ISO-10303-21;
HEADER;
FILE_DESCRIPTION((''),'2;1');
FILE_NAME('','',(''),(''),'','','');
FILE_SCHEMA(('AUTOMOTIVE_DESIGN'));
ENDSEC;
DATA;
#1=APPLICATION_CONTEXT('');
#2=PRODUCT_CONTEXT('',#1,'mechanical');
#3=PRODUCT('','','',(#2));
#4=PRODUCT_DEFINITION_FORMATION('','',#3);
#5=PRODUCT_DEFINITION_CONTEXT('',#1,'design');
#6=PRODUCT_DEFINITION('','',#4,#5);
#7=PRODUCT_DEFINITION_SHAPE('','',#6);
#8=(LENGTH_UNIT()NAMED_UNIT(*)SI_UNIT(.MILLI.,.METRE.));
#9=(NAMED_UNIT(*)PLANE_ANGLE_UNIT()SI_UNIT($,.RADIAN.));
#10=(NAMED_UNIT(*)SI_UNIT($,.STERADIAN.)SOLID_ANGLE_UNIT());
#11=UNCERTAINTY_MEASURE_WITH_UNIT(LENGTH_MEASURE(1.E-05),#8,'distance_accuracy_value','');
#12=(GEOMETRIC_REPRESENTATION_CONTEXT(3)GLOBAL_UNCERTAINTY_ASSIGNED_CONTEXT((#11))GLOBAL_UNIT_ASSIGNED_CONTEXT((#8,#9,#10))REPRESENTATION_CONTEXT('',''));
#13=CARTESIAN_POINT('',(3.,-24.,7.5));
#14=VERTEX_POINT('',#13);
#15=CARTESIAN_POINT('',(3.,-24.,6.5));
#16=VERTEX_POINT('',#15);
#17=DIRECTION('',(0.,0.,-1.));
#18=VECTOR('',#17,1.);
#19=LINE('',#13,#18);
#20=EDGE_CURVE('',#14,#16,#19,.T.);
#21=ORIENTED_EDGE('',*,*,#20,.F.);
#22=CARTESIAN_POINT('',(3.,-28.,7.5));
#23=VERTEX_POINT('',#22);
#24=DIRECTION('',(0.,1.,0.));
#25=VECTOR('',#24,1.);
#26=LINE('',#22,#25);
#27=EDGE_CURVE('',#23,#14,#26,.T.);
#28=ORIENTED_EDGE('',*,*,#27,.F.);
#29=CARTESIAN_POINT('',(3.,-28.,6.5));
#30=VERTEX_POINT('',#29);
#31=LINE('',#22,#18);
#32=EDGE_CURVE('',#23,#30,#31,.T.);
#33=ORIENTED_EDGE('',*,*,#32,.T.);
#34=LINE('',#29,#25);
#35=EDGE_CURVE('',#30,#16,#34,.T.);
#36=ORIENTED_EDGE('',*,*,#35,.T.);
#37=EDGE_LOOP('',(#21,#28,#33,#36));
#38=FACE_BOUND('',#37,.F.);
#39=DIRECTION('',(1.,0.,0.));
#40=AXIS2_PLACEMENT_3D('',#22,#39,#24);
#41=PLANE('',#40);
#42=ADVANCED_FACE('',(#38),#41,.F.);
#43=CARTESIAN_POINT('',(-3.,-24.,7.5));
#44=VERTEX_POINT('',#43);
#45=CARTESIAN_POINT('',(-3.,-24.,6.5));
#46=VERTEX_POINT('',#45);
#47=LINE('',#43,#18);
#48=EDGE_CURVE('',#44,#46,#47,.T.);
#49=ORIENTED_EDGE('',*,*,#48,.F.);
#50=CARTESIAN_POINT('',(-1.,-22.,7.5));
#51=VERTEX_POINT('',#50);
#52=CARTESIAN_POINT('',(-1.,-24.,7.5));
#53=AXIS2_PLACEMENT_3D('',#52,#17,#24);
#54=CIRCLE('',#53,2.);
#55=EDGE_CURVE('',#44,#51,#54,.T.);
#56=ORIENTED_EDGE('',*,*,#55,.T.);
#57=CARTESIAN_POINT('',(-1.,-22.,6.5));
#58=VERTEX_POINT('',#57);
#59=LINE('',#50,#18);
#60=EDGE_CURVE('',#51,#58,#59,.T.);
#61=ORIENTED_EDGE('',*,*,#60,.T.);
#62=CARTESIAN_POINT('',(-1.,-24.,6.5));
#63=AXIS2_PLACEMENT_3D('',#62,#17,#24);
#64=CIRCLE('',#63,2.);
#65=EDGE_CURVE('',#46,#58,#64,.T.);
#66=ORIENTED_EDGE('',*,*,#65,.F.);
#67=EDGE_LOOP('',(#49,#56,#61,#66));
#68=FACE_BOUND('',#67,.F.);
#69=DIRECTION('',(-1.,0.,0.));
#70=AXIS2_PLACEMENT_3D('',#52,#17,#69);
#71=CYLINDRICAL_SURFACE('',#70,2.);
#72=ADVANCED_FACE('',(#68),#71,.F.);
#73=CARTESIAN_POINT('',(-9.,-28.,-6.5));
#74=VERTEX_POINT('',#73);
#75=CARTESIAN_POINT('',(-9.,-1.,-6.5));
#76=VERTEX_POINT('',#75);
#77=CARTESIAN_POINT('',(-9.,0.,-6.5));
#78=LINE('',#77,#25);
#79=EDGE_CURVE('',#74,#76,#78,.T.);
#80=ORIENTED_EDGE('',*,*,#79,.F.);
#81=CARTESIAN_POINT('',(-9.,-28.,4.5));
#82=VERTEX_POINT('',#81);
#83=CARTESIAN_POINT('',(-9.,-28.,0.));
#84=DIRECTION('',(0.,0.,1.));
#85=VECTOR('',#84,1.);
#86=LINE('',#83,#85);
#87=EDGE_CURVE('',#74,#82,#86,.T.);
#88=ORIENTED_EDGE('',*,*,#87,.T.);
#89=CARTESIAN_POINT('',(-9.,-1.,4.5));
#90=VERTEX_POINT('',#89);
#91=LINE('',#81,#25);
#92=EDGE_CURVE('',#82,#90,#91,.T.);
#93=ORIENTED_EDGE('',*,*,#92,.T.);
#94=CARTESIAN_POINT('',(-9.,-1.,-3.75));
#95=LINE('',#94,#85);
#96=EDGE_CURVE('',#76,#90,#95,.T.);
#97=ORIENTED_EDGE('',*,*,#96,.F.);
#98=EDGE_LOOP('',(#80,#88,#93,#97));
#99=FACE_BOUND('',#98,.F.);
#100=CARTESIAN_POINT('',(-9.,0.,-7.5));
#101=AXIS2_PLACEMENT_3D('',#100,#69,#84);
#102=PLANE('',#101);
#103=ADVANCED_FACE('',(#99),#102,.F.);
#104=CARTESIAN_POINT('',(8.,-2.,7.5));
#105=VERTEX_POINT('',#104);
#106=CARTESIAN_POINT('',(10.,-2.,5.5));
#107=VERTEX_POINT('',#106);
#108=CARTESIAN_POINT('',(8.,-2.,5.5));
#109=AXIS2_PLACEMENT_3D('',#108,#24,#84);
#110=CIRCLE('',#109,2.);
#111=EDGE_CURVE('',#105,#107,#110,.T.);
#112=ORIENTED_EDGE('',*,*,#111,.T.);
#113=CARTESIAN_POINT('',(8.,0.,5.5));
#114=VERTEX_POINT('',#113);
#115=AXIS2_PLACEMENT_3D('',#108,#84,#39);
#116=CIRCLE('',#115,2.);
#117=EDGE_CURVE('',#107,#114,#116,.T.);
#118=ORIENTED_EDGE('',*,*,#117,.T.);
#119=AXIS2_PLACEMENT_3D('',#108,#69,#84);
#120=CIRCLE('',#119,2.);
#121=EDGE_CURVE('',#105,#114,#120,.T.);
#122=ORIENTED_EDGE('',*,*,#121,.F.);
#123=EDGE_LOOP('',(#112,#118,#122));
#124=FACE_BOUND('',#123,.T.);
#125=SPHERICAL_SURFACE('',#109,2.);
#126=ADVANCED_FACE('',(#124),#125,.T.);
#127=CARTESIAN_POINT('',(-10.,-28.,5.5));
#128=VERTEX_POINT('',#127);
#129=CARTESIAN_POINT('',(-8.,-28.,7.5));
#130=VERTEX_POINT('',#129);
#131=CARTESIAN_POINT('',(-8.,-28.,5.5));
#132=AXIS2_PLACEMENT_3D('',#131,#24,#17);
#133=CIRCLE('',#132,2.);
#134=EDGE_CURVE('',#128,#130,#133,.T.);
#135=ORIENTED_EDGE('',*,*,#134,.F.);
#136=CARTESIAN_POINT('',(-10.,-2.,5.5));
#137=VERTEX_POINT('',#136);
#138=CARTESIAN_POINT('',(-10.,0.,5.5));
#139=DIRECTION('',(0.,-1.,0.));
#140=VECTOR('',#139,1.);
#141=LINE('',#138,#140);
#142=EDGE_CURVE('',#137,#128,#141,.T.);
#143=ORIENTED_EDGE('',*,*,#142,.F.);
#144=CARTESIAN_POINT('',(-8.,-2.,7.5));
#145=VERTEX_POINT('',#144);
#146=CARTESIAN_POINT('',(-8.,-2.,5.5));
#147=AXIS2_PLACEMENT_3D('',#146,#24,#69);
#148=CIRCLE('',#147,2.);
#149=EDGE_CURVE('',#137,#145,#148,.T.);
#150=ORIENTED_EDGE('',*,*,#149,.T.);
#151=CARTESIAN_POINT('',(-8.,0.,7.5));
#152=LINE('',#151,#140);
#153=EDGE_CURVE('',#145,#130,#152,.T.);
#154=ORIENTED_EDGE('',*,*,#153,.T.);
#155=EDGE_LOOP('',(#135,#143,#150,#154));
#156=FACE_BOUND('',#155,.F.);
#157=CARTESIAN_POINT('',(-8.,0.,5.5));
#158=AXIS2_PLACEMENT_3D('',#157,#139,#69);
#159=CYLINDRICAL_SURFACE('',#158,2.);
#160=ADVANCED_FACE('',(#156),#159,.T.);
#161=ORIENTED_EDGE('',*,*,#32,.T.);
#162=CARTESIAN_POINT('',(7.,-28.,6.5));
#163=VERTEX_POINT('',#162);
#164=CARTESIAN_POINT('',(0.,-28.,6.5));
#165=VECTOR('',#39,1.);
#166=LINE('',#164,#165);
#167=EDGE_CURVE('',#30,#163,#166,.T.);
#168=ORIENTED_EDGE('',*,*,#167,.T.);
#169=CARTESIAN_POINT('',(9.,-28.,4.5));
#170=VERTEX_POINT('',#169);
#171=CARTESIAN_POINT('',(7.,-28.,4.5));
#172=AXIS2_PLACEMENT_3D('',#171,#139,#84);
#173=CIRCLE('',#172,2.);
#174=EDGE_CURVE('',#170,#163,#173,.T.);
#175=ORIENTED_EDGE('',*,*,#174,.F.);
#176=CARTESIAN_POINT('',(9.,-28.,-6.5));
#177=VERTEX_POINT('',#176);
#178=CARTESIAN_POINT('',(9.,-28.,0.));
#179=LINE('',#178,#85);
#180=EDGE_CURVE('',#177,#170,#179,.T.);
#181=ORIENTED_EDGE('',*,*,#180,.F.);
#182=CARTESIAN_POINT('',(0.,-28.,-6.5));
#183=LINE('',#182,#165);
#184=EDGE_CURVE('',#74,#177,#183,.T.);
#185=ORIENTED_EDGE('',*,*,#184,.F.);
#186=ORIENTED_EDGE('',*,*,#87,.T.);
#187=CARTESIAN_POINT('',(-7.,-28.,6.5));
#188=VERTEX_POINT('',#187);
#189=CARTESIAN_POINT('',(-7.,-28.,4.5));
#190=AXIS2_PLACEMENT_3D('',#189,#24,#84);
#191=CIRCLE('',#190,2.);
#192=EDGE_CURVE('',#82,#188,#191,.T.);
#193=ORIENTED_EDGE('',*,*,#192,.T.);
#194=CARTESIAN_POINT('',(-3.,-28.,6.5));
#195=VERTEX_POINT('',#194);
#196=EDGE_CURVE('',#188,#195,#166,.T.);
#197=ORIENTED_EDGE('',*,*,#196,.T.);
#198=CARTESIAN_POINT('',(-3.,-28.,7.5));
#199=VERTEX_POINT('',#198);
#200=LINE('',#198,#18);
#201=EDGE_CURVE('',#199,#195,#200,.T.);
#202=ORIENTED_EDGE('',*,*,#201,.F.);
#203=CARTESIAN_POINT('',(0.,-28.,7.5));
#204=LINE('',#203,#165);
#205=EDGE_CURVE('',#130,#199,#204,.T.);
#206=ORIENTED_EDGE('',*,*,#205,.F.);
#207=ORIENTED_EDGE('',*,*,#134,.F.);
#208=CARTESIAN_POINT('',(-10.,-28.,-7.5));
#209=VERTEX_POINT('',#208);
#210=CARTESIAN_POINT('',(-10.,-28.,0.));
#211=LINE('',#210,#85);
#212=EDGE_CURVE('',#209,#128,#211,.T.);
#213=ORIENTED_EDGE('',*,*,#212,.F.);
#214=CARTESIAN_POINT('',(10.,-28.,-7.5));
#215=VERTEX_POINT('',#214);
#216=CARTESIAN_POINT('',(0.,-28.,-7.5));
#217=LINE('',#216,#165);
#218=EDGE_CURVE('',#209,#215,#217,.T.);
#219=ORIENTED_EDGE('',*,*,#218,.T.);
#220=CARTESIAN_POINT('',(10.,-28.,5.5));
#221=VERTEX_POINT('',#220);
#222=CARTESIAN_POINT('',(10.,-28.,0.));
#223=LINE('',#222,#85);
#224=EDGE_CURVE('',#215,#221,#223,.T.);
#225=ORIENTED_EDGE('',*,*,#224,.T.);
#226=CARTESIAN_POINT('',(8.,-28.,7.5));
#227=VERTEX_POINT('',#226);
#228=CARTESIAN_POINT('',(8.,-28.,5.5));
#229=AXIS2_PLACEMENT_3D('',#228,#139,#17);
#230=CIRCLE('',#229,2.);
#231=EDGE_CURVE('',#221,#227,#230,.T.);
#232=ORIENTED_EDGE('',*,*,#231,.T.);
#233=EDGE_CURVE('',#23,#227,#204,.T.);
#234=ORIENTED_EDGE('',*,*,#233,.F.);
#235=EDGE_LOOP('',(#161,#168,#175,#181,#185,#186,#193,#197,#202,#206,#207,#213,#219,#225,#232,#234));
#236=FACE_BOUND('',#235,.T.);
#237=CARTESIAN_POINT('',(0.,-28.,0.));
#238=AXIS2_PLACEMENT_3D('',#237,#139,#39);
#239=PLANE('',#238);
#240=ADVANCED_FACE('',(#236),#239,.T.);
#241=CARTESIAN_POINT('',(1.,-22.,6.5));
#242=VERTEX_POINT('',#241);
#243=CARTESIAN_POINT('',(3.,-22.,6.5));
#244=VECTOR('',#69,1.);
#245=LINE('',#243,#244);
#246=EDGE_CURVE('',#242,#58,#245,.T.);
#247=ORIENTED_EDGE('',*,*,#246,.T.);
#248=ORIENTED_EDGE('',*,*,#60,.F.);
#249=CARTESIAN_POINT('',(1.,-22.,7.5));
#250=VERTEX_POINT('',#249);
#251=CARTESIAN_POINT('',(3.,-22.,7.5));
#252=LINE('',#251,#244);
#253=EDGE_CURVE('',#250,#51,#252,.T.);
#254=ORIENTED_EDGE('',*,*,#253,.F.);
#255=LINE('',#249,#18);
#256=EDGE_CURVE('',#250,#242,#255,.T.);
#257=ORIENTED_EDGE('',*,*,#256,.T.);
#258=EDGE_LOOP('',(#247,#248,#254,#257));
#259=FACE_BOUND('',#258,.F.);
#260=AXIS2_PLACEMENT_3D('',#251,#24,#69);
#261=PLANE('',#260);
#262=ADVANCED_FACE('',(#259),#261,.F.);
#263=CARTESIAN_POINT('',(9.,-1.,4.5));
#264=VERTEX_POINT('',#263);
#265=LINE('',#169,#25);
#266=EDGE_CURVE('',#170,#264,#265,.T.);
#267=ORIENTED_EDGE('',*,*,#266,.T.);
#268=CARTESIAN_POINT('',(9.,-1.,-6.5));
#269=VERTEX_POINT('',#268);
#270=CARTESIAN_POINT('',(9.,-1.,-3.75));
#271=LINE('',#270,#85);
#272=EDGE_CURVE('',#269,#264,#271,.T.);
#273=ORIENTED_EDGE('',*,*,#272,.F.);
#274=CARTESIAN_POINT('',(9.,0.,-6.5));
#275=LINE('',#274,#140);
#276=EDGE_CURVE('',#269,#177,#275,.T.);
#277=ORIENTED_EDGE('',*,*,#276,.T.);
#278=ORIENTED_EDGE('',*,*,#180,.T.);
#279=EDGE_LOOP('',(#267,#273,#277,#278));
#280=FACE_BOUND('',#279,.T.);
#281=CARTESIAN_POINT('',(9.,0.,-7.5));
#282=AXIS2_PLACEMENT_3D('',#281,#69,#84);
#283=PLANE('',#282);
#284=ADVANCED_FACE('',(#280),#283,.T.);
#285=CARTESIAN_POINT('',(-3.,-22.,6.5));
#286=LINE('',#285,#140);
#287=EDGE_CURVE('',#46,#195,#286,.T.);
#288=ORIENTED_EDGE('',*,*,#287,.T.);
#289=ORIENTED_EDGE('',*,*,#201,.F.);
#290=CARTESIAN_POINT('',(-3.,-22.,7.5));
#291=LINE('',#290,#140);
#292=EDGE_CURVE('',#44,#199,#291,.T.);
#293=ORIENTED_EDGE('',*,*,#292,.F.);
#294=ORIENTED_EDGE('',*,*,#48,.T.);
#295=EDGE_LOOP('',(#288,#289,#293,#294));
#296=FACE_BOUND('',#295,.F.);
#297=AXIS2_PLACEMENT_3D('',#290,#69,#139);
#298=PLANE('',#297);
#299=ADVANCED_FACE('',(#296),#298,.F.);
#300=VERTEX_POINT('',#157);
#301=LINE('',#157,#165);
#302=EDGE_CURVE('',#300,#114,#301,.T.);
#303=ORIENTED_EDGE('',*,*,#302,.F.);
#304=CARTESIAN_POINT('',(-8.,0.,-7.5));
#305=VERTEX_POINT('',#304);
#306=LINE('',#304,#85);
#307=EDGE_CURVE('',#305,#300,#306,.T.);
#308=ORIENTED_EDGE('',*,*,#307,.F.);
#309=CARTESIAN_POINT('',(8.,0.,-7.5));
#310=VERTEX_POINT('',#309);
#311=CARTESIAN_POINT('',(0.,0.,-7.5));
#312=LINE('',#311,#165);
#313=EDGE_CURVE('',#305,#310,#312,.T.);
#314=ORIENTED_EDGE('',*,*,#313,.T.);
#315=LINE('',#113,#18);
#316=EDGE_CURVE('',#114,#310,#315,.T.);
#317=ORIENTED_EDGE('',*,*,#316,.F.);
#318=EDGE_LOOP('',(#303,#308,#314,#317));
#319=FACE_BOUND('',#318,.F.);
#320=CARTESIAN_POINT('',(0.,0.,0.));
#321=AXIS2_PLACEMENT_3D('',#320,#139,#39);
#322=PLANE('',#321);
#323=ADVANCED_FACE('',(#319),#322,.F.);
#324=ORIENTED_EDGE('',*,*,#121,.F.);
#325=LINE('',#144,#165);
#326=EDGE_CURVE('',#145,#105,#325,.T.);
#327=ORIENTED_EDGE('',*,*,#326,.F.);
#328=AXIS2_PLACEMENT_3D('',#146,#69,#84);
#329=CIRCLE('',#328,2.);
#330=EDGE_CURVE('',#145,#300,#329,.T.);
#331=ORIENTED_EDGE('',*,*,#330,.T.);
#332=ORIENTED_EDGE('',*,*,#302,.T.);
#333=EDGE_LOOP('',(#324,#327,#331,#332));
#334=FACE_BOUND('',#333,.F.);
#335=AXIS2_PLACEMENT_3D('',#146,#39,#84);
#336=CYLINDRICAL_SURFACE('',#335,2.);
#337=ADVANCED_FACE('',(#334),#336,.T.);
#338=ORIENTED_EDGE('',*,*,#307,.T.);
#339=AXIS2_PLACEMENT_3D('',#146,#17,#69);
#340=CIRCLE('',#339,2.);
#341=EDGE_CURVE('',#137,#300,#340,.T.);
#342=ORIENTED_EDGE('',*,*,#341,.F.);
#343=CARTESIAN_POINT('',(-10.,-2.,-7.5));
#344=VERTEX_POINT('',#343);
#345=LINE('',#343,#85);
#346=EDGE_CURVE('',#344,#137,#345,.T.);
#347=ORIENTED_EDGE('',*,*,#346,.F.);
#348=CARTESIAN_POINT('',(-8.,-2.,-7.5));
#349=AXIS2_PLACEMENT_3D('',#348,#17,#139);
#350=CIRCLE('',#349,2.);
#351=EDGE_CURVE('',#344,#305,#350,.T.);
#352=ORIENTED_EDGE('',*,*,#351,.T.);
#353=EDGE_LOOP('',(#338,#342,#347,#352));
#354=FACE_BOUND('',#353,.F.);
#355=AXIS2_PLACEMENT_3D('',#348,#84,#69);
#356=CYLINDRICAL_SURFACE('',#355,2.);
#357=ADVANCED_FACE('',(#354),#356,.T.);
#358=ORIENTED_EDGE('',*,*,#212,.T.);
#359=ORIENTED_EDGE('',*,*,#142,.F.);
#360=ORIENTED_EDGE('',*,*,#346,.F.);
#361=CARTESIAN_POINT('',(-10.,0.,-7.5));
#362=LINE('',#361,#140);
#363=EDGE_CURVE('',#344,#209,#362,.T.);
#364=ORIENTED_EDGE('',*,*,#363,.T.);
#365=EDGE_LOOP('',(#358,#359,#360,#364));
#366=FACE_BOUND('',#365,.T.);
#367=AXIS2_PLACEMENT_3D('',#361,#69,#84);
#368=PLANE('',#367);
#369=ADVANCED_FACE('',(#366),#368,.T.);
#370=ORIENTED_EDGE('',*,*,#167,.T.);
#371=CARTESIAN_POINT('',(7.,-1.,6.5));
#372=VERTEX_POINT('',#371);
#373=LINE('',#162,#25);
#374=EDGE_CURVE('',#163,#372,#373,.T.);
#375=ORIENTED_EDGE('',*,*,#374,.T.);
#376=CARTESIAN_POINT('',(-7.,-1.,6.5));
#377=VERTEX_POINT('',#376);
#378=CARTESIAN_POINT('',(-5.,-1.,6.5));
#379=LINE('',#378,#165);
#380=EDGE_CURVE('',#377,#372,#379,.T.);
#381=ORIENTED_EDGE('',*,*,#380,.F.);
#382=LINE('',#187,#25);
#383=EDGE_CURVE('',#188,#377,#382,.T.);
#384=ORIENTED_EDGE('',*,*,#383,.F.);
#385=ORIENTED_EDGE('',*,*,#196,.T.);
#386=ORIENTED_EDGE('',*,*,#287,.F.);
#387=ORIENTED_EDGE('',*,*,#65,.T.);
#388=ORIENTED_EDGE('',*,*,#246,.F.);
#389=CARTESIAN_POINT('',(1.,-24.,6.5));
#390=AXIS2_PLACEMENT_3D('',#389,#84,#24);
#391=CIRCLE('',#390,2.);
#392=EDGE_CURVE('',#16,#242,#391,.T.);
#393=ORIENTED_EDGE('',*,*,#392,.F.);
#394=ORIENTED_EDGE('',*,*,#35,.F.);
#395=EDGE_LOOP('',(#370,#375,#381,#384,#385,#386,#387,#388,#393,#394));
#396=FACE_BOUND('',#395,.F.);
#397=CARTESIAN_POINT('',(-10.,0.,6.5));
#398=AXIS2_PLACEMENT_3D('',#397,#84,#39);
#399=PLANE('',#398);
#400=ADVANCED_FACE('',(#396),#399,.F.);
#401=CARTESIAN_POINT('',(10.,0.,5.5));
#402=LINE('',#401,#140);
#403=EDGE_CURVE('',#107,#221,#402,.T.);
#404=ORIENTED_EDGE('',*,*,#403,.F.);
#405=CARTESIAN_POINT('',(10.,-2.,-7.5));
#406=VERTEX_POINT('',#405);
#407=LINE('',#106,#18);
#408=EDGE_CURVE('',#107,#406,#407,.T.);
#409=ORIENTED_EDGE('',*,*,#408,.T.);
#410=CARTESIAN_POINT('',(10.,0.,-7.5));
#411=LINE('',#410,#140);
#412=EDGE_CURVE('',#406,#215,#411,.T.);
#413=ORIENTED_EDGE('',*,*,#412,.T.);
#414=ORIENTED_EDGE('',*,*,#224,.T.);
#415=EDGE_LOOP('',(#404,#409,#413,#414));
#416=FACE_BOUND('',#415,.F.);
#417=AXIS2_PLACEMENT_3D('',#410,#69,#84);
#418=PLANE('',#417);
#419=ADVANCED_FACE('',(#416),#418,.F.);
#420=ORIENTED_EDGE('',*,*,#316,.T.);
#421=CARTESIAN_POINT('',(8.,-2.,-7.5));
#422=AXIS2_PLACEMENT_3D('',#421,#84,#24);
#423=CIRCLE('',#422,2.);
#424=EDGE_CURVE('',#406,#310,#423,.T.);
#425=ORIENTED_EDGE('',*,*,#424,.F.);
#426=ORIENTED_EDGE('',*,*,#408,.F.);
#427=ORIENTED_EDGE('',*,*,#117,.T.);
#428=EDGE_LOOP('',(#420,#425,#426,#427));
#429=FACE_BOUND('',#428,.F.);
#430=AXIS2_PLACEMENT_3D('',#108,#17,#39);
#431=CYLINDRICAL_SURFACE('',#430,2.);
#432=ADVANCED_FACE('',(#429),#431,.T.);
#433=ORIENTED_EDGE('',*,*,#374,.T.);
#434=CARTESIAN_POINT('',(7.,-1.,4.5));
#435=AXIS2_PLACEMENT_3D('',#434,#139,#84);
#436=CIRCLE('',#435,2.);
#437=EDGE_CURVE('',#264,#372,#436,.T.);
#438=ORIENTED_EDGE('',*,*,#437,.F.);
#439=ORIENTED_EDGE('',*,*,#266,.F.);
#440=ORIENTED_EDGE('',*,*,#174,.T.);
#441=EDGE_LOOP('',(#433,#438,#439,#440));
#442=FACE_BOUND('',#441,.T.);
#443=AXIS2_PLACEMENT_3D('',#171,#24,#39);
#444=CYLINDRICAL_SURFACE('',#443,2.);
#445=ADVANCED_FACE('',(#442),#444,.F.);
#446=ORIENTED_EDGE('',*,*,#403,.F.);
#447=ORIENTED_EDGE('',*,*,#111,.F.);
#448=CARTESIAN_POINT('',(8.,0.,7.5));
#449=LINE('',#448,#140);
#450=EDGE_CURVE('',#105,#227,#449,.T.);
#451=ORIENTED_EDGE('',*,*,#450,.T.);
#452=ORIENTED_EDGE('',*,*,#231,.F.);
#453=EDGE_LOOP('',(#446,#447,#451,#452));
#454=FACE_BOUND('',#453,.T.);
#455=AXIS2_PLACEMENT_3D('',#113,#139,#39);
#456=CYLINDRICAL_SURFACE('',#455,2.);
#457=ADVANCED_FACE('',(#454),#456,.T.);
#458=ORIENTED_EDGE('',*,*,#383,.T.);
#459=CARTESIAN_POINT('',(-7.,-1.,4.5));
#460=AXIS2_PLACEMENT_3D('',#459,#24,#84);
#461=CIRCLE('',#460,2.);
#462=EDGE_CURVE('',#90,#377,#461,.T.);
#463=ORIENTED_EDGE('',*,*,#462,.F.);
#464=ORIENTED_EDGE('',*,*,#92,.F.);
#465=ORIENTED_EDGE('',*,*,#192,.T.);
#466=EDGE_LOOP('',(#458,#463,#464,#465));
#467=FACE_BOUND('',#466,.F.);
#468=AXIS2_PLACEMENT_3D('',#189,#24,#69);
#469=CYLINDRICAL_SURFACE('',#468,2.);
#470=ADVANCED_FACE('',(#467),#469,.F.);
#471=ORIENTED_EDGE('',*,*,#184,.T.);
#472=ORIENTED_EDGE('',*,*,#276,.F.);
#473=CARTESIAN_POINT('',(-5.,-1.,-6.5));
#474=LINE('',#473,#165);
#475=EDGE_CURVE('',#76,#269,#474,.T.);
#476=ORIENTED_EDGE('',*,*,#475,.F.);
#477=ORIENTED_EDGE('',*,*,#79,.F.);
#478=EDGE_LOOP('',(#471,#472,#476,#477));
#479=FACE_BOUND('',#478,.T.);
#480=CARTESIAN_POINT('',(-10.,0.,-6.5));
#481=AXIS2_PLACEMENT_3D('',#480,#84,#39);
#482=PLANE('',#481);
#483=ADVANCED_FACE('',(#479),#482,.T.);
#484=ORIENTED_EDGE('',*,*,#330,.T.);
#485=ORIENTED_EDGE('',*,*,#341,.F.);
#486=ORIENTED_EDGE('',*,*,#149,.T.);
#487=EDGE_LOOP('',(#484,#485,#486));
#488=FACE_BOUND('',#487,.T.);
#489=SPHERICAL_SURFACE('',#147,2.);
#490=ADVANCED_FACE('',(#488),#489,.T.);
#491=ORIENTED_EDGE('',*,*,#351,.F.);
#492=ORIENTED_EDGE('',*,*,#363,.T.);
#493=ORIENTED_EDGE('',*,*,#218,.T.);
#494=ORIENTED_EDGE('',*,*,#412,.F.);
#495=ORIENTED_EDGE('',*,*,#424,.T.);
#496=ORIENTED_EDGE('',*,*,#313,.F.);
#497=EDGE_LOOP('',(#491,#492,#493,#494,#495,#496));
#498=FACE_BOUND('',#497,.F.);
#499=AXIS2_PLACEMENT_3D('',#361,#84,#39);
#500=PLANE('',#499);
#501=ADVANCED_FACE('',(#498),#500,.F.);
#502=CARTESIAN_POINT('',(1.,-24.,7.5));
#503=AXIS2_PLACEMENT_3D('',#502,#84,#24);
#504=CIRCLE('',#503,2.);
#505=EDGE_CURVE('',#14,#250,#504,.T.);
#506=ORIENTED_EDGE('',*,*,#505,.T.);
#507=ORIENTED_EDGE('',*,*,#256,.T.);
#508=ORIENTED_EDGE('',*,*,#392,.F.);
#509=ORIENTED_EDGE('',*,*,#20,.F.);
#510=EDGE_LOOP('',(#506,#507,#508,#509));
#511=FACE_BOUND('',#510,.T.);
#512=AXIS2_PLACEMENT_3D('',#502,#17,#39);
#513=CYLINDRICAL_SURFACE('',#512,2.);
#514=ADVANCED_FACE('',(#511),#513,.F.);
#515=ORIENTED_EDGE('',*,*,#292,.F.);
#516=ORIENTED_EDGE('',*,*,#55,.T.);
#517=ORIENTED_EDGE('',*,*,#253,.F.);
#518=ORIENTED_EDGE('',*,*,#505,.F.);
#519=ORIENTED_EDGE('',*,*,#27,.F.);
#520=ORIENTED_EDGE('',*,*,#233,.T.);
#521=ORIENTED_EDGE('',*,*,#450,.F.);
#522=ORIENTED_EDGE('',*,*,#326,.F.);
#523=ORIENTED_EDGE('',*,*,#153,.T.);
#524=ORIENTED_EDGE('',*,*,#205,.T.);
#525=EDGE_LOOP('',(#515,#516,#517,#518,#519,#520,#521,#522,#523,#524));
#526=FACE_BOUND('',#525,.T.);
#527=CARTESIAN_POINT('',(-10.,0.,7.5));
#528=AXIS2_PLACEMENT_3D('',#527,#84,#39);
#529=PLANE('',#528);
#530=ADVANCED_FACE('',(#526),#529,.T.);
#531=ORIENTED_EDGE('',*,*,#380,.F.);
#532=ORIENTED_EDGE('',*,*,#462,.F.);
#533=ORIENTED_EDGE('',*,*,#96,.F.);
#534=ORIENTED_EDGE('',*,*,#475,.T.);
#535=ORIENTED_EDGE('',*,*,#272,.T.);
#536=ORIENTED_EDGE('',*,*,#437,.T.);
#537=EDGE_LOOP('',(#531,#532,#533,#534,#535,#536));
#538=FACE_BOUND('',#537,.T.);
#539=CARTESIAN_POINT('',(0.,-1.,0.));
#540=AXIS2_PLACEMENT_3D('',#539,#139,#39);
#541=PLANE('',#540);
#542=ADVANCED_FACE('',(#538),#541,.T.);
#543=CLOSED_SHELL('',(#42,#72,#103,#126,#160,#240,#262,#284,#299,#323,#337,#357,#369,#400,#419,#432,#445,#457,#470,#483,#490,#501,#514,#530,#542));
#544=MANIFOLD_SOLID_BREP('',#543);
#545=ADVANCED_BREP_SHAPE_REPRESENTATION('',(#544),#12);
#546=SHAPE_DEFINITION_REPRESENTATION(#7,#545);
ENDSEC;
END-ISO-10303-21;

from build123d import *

# Parameters (mm, degrees)
F0_W     = 20
F0_H     = 15
F1_DEPTH = 28
F2_T     = -1
F3_R     = 2
F4_R     = 2
F5_R     = 2
F7_DEPTH = 1
F8_R     = 2


with BuildPart() as f1:
    # F0 (on Front) → F1 (new body)
    with BuildSketch(Plane.XZ):
        Rectangle(F0_W, F0_H)
    extrude(amount=F1_DEPTH)

    # F2
    f2_openings = [f1.faces().sort_by_distance(p)[0] for p in [
        (0, -28, 0),
    ]]
    offset(amount=F2_T, openings=f2_openings)

    # F3
    f3_edges = [f1.edges().sort_by_distance(p)[0] for p in [
        (-9, -14.5, 6.5),
        (9, -14.5, 6.5),
    ]]
    fillet(f3_edges, radius=F3_R)

    # F4
    f4_edges = [f1.edges().sort_by_distance(p)[0] for p in [
        (10, -14, 7.5),
        (-10, -14, 7.5),
    ]]
    fillet(f4_edges, radius=F4_R)

    # F5
    f5_edges = [f1.edges().sort_by_distance(p)[0] for p in [
        (0, 0, 7.5),
        (10, 0, -1),
        (-10, 0, -1),
    ]]
    fillet(f5_edges, radius=F5_R)

    # F6 (on face) → F7 (cut, through all)
    with BuildSketch(Plane.XY.offset(7.5)):
        Polygon((3, -28), (3, -22), (-3, -22), (-3, -28), (0, -28), align=None)
    extrude(amount=-F7_DEPTH, mode=Mode.SUBTRACT)

    # F8
    f8_edges = [f1.edges().sort_by_distance(p)[0] for p in [
        (-3, -22, 7),
        (3, -22, 7),
    ]]
    fillet(f8_edges, radius=F8_R)


solid = f1.part
